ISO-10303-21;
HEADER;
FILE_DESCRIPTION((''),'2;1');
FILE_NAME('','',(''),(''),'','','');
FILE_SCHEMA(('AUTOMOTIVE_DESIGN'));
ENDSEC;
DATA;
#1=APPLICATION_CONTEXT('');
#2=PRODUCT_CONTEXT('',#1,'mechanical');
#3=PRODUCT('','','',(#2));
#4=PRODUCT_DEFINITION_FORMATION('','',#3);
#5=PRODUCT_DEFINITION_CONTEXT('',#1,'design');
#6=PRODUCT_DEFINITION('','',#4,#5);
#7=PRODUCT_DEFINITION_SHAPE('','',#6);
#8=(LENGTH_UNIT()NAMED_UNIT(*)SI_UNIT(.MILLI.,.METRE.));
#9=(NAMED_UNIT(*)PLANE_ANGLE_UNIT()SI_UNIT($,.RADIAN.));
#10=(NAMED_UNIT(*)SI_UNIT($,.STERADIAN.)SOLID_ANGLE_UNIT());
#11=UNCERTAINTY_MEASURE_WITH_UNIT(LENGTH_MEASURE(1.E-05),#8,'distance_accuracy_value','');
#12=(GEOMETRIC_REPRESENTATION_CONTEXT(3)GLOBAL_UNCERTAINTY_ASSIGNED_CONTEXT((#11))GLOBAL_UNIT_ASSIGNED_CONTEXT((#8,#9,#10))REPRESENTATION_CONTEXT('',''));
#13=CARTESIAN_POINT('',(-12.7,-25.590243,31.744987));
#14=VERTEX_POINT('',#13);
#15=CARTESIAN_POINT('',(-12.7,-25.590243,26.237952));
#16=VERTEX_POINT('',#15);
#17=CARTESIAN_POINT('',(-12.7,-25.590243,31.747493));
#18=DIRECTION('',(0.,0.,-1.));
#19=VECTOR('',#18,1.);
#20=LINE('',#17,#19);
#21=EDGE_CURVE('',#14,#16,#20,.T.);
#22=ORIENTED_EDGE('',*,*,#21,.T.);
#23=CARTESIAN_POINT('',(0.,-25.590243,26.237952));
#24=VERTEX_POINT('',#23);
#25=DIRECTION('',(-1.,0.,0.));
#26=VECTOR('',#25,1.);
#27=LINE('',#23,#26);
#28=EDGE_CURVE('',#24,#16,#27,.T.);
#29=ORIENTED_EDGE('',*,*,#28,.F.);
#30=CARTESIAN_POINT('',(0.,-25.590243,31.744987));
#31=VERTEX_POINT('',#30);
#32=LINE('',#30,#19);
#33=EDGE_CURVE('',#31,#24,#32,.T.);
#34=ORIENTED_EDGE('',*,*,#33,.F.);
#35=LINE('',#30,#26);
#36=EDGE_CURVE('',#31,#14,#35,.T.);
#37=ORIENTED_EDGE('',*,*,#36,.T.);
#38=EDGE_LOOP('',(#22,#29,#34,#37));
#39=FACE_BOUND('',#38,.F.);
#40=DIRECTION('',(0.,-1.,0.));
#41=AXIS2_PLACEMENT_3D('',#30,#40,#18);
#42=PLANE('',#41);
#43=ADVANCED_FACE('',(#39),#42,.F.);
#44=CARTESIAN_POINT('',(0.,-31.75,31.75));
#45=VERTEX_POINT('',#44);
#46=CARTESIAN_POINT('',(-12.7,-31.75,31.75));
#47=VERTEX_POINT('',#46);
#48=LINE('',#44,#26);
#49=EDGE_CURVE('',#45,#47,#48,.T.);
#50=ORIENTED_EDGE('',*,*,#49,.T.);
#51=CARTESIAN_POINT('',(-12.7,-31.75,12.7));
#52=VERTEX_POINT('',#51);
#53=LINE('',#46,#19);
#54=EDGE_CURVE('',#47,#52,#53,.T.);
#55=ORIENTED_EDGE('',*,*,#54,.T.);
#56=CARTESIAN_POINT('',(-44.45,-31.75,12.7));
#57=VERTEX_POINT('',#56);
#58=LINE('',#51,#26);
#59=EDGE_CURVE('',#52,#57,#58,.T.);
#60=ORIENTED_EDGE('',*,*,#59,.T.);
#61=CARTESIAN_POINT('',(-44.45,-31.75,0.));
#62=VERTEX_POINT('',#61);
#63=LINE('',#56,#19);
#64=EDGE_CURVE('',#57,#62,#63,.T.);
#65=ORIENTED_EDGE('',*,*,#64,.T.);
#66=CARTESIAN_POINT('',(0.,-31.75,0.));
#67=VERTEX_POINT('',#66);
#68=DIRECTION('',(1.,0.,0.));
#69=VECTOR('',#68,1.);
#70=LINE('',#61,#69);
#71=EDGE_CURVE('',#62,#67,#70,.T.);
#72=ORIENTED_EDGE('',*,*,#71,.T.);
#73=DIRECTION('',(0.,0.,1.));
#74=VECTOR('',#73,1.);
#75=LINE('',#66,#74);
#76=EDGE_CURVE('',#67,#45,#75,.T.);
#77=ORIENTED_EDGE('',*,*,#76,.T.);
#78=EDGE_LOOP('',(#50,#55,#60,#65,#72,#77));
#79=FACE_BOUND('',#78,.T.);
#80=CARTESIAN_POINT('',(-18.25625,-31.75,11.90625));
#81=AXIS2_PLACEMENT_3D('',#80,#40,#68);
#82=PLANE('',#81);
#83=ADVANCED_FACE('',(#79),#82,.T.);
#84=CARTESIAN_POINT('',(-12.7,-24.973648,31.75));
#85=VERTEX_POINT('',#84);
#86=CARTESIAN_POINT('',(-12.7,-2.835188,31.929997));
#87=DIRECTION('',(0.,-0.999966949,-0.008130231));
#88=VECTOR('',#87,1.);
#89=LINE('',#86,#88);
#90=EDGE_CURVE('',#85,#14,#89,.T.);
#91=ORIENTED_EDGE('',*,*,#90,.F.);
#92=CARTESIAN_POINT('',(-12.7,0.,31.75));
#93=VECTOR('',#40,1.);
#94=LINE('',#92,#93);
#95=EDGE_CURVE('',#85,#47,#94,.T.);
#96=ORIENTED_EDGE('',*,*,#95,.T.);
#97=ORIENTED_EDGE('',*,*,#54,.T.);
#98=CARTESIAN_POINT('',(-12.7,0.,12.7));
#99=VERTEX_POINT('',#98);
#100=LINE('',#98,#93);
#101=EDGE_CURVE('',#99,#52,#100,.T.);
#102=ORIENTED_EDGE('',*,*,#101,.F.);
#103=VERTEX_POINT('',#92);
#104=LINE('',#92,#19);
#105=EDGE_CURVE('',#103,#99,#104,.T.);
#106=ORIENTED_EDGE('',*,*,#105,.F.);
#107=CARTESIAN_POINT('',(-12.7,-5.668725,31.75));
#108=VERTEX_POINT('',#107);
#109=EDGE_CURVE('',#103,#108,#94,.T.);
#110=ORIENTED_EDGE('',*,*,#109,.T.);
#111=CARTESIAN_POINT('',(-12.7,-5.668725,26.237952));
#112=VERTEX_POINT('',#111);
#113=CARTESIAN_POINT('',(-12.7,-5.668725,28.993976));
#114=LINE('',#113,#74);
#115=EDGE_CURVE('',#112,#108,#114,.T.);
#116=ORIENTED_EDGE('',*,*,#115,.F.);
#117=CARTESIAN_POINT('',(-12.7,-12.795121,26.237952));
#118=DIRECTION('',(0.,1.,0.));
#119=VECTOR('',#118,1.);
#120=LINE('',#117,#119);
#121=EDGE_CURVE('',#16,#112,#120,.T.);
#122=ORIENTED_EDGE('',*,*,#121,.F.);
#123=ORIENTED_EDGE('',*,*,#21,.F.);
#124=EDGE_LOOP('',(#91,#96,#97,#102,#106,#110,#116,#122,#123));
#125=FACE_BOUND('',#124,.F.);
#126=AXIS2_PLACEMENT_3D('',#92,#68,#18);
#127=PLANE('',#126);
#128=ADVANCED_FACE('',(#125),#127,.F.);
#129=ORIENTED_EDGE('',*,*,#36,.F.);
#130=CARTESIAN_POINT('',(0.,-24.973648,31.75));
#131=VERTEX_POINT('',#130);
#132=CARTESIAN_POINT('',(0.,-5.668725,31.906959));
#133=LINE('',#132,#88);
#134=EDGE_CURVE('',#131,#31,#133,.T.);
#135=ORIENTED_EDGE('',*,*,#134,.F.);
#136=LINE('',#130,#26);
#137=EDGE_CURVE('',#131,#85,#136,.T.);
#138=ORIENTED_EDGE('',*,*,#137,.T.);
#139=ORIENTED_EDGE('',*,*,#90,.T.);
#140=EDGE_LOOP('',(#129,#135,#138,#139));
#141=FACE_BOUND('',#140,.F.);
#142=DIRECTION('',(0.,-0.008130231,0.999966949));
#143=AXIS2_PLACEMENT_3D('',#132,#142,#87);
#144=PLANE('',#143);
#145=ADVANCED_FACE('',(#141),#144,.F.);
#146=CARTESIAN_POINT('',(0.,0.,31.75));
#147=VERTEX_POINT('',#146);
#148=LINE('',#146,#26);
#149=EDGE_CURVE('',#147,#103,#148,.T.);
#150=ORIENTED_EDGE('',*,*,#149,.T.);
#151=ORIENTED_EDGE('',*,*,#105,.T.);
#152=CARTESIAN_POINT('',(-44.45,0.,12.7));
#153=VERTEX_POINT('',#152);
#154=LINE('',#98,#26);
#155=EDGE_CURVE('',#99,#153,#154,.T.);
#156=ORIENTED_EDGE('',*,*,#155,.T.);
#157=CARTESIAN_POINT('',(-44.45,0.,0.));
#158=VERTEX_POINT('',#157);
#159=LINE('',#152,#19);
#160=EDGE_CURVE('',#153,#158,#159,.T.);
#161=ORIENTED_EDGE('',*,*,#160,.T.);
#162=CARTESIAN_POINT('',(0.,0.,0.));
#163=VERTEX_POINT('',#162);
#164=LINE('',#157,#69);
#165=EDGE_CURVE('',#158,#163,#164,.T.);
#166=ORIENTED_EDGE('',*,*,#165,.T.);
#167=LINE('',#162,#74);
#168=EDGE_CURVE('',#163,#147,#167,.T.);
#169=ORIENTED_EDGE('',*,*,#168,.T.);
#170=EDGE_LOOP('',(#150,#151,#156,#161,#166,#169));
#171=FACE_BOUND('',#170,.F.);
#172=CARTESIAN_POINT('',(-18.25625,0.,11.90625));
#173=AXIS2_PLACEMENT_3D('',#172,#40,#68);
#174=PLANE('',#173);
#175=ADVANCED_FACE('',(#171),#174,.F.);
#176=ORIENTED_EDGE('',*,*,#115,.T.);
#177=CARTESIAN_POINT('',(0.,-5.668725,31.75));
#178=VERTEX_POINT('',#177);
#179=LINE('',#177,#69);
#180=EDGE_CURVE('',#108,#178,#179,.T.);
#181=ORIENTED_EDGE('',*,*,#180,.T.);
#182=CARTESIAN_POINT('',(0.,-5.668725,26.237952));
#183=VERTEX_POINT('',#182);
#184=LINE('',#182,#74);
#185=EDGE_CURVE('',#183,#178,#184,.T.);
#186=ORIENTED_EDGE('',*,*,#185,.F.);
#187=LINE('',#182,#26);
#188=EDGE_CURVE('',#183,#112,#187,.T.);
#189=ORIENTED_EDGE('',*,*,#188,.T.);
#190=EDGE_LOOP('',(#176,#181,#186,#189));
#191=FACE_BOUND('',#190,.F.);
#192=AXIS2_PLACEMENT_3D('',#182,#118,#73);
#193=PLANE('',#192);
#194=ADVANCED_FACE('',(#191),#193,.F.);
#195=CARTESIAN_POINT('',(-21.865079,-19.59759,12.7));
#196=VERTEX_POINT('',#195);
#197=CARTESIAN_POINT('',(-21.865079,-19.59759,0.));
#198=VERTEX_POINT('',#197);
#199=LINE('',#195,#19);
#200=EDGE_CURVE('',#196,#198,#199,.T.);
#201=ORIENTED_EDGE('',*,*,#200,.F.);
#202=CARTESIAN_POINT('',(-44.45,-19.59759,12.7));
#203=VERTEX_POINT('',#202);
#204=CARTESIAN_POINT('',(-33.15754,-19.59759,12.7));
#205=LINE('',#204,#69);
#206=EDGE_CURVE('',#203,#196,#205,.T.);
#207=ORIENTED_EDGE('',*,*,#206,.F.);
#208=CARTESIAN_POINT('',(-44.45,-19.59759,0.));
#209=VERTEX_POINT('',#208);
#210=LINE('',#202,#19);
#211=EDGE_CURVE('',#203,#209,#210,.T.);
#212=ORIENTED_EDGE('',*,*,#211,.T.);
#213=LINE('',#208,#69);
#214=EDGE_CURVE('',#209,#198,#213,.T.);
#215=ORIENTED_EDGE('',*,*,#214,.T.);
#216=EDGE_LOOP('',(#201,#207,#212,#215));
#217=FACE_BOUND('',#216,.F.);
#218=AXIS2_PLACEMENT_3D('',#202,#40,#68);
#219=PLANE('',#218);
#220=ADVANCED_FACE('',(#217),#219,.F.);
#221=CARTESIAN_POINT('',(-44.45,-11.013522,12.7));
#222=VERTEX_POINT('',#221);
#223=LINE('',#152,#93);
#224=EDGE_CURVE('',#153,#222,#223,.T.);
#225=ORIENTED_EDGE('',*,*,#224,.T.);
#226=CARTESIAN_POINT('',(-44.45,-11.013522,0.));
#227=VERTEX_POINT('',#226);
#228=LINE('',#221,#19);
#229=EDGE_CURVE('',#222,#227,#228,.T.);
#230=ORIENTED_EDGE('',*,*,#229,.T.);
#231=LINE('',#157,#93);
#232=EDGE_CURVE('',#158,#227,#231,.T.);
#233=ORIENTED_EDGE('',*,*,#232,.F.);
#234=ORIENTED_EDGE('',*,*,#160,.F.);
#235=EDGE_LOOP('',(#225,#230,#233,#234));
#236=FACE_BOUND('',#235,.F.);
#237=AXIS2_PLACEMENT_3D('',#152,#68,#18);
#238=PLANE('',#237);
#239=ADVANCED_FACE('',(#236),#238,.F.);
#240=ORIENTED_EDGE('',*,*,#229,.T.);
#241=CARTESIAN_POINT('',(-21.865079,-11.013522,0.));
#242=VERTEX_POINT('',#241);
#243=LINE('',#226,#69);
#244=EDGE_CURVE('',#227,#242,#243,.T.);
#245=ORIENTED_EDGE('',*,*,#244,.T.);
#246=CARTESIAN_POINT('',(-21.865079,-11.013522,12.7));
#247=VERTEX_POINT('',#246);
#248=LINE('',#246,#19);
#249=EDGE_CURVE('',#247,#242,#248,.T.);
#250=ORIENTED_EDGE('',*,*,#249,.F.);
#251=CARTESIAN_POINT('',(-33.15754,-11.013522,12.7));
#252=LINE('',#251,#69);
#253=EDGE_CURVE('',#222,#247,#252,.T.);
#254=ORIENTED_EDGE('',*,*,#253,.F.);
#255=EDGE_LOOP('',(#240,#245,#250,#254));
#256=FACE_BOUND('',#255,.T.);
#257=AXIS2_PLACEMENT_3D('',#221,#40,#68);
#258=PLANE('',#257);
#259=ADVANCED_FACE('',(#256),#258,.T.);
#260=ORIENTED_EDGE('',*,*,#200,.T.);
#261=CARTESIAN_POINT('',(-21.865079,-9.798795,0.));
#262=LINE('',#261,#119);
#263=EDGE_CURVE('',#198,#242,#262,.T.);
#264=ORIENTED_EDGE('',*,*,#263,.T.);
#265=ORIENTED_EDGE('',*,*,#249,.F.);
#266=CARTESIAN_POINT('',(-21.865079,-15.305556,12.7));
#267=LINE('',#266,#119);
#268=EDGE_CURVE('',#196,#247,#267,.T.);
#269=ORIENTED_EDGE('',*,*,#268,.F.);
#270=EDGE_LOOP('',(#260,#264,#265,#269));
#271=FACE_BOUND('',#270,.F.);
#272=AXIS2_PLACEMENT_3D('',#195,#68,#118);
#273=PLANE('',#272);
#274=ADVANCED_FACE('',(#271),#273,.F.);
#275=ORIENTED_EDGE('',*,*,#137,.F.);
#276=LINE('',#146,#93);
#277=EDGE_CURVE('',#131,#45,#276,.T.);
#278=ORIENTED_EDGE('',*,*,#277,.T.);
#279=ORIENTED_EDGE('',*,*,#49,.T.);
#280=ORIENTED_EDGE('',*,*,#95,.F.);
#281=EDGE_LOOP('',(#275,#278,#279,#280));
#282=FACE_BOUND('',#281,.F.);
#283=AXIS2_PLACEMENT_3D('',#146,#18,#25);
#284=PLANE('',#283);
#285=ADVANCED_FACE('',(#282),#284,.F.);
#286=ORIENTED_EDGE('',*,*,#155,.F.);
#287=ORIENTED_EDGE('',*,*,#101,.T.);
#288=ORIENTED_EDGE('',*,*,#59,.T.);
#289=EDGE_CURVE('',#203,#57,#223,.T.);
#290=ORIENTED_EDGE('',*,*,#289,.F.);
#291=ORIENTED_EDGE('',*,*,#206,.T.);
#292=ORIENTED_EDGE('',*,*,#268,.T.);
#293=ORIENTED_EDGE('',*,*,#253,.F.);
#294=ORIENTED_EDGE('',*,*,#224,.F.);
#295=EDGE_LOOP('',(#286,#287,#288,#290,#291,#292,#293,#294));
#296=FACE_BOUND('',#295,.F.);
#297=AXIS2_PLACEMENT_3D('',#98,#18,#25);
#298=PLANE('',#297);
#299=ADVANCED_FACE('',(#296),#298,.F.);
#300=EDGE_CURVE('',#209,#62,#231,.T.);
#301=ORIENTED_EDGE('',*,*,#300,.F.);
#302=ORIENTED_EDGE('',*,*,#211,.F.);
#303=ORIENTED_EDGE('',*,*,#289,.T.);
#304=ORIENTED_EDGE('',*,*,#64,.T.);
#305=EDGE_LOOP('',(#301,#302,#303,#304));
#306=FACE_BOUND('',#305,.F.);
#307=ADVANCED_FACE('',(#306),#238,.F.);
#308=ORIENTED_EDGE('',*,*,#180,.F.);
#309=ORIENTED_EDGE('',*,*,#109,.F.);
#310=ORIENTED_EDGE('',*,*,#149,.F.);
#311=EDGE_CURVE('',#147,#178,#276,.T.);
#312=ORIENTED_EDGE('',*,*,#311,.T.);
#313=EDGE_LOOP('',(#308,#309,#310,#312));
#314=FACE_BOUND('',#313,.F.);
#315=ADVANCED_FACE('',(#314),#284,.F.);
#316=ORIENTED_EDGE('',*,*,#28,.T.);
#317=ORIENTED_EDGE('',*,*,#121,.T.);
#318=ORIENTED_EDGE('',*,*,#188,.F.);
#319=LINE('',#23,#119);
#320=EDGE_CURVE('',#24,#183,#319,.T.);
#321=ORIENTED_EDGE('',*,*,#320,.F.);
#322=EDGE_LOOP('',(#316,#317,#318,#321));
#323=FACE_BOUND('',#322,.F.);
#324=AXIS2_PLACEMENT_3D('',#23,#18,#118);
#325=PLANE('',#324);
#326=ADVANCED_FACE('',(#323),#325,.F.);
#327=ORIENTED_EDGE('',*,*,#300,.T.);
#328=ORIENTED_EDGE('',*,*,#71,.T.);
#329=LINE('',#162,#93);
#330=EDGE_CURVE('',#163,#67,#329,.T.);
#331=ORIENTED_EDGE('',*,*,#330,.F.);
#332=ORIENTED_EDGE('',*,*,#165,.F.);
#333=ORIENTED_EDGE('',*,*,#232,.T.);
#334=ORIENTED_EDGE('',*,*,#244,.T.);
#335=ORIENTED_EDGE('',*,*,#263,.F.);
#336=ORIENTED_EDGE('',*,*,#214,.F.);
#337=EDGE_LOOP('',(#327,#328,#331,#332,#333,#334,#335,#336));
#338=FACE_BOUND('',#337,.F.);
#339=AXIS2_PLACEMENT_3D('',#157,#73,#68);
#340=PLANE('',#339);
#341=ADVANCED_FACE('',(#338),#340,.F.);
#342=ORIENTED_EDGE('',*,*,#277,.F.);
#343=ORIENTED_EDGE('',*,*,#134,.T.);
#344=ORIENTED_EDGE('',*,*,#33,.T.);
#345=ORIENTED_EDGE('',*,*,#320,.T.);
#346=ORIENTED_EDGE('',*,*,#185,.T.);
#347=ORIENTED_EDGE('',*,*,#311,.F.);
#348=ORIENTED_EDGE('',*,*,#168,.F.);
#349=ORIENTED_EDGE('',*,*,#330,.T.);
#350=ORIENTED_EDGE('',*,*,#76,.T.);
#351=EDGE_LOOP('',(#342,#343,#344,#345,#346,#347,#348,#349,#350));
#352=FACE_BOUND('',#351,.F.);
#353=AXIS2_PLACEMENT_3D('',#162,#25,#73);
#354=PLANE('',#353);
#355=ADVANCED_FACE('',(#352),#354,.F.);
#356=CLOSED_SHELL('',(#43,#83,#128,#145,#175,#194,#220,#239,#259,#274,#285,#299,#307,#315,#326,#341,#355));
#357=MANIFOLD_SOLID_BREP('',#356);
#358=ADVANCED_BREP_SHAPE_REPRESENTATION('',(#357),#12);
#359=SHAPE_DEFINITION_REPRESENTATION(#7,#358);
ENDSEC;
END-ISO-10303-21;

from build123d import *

# Parameters (mm, degrees)
F1_DEPTH = 31.75
F2_W     = 22.5849208206
F2_H     = 8.5840681568
F3_DEPTH = 1320.8
F5_DEPTH = 127


with BuildPart() as f1:
    # F0 (on Front) → F1 (new body)
    with BuildSketch(Plane.XZ):
        Polygon((-44.45, 0), (0, 0), (0, 31.75), (-12.7, 31.75), (-12.7, 12.7), (-44.45, 12.7), align=None)
    extrude(amount=F1_DEPTH)

    # F2 (on face) → F3 (cut)
    with BuildSketch(Plane.XY.offset(12.7)):
        with Locations((-33.1575395897, -15.3055558912)):
            Rectangle(F2_W, F2_H)
    extrude(amount=-F3_DEPTH, mode=Mode.SUBTRACT)

    # F4 (on Right) → F5 (cut)
    with BuildSketch(Plane.YZ):
        Polygon((-5.6687253527, 31.9069586694), (-25.590242818, 31.7449867725), (-25.590242818, 26.2379515916), (-5.6687253527, 26.2379515916), align=None)
    extrude(amount=-F5_DEPTH, mode=Mode.SUBTRACT)


solid = f1.part
